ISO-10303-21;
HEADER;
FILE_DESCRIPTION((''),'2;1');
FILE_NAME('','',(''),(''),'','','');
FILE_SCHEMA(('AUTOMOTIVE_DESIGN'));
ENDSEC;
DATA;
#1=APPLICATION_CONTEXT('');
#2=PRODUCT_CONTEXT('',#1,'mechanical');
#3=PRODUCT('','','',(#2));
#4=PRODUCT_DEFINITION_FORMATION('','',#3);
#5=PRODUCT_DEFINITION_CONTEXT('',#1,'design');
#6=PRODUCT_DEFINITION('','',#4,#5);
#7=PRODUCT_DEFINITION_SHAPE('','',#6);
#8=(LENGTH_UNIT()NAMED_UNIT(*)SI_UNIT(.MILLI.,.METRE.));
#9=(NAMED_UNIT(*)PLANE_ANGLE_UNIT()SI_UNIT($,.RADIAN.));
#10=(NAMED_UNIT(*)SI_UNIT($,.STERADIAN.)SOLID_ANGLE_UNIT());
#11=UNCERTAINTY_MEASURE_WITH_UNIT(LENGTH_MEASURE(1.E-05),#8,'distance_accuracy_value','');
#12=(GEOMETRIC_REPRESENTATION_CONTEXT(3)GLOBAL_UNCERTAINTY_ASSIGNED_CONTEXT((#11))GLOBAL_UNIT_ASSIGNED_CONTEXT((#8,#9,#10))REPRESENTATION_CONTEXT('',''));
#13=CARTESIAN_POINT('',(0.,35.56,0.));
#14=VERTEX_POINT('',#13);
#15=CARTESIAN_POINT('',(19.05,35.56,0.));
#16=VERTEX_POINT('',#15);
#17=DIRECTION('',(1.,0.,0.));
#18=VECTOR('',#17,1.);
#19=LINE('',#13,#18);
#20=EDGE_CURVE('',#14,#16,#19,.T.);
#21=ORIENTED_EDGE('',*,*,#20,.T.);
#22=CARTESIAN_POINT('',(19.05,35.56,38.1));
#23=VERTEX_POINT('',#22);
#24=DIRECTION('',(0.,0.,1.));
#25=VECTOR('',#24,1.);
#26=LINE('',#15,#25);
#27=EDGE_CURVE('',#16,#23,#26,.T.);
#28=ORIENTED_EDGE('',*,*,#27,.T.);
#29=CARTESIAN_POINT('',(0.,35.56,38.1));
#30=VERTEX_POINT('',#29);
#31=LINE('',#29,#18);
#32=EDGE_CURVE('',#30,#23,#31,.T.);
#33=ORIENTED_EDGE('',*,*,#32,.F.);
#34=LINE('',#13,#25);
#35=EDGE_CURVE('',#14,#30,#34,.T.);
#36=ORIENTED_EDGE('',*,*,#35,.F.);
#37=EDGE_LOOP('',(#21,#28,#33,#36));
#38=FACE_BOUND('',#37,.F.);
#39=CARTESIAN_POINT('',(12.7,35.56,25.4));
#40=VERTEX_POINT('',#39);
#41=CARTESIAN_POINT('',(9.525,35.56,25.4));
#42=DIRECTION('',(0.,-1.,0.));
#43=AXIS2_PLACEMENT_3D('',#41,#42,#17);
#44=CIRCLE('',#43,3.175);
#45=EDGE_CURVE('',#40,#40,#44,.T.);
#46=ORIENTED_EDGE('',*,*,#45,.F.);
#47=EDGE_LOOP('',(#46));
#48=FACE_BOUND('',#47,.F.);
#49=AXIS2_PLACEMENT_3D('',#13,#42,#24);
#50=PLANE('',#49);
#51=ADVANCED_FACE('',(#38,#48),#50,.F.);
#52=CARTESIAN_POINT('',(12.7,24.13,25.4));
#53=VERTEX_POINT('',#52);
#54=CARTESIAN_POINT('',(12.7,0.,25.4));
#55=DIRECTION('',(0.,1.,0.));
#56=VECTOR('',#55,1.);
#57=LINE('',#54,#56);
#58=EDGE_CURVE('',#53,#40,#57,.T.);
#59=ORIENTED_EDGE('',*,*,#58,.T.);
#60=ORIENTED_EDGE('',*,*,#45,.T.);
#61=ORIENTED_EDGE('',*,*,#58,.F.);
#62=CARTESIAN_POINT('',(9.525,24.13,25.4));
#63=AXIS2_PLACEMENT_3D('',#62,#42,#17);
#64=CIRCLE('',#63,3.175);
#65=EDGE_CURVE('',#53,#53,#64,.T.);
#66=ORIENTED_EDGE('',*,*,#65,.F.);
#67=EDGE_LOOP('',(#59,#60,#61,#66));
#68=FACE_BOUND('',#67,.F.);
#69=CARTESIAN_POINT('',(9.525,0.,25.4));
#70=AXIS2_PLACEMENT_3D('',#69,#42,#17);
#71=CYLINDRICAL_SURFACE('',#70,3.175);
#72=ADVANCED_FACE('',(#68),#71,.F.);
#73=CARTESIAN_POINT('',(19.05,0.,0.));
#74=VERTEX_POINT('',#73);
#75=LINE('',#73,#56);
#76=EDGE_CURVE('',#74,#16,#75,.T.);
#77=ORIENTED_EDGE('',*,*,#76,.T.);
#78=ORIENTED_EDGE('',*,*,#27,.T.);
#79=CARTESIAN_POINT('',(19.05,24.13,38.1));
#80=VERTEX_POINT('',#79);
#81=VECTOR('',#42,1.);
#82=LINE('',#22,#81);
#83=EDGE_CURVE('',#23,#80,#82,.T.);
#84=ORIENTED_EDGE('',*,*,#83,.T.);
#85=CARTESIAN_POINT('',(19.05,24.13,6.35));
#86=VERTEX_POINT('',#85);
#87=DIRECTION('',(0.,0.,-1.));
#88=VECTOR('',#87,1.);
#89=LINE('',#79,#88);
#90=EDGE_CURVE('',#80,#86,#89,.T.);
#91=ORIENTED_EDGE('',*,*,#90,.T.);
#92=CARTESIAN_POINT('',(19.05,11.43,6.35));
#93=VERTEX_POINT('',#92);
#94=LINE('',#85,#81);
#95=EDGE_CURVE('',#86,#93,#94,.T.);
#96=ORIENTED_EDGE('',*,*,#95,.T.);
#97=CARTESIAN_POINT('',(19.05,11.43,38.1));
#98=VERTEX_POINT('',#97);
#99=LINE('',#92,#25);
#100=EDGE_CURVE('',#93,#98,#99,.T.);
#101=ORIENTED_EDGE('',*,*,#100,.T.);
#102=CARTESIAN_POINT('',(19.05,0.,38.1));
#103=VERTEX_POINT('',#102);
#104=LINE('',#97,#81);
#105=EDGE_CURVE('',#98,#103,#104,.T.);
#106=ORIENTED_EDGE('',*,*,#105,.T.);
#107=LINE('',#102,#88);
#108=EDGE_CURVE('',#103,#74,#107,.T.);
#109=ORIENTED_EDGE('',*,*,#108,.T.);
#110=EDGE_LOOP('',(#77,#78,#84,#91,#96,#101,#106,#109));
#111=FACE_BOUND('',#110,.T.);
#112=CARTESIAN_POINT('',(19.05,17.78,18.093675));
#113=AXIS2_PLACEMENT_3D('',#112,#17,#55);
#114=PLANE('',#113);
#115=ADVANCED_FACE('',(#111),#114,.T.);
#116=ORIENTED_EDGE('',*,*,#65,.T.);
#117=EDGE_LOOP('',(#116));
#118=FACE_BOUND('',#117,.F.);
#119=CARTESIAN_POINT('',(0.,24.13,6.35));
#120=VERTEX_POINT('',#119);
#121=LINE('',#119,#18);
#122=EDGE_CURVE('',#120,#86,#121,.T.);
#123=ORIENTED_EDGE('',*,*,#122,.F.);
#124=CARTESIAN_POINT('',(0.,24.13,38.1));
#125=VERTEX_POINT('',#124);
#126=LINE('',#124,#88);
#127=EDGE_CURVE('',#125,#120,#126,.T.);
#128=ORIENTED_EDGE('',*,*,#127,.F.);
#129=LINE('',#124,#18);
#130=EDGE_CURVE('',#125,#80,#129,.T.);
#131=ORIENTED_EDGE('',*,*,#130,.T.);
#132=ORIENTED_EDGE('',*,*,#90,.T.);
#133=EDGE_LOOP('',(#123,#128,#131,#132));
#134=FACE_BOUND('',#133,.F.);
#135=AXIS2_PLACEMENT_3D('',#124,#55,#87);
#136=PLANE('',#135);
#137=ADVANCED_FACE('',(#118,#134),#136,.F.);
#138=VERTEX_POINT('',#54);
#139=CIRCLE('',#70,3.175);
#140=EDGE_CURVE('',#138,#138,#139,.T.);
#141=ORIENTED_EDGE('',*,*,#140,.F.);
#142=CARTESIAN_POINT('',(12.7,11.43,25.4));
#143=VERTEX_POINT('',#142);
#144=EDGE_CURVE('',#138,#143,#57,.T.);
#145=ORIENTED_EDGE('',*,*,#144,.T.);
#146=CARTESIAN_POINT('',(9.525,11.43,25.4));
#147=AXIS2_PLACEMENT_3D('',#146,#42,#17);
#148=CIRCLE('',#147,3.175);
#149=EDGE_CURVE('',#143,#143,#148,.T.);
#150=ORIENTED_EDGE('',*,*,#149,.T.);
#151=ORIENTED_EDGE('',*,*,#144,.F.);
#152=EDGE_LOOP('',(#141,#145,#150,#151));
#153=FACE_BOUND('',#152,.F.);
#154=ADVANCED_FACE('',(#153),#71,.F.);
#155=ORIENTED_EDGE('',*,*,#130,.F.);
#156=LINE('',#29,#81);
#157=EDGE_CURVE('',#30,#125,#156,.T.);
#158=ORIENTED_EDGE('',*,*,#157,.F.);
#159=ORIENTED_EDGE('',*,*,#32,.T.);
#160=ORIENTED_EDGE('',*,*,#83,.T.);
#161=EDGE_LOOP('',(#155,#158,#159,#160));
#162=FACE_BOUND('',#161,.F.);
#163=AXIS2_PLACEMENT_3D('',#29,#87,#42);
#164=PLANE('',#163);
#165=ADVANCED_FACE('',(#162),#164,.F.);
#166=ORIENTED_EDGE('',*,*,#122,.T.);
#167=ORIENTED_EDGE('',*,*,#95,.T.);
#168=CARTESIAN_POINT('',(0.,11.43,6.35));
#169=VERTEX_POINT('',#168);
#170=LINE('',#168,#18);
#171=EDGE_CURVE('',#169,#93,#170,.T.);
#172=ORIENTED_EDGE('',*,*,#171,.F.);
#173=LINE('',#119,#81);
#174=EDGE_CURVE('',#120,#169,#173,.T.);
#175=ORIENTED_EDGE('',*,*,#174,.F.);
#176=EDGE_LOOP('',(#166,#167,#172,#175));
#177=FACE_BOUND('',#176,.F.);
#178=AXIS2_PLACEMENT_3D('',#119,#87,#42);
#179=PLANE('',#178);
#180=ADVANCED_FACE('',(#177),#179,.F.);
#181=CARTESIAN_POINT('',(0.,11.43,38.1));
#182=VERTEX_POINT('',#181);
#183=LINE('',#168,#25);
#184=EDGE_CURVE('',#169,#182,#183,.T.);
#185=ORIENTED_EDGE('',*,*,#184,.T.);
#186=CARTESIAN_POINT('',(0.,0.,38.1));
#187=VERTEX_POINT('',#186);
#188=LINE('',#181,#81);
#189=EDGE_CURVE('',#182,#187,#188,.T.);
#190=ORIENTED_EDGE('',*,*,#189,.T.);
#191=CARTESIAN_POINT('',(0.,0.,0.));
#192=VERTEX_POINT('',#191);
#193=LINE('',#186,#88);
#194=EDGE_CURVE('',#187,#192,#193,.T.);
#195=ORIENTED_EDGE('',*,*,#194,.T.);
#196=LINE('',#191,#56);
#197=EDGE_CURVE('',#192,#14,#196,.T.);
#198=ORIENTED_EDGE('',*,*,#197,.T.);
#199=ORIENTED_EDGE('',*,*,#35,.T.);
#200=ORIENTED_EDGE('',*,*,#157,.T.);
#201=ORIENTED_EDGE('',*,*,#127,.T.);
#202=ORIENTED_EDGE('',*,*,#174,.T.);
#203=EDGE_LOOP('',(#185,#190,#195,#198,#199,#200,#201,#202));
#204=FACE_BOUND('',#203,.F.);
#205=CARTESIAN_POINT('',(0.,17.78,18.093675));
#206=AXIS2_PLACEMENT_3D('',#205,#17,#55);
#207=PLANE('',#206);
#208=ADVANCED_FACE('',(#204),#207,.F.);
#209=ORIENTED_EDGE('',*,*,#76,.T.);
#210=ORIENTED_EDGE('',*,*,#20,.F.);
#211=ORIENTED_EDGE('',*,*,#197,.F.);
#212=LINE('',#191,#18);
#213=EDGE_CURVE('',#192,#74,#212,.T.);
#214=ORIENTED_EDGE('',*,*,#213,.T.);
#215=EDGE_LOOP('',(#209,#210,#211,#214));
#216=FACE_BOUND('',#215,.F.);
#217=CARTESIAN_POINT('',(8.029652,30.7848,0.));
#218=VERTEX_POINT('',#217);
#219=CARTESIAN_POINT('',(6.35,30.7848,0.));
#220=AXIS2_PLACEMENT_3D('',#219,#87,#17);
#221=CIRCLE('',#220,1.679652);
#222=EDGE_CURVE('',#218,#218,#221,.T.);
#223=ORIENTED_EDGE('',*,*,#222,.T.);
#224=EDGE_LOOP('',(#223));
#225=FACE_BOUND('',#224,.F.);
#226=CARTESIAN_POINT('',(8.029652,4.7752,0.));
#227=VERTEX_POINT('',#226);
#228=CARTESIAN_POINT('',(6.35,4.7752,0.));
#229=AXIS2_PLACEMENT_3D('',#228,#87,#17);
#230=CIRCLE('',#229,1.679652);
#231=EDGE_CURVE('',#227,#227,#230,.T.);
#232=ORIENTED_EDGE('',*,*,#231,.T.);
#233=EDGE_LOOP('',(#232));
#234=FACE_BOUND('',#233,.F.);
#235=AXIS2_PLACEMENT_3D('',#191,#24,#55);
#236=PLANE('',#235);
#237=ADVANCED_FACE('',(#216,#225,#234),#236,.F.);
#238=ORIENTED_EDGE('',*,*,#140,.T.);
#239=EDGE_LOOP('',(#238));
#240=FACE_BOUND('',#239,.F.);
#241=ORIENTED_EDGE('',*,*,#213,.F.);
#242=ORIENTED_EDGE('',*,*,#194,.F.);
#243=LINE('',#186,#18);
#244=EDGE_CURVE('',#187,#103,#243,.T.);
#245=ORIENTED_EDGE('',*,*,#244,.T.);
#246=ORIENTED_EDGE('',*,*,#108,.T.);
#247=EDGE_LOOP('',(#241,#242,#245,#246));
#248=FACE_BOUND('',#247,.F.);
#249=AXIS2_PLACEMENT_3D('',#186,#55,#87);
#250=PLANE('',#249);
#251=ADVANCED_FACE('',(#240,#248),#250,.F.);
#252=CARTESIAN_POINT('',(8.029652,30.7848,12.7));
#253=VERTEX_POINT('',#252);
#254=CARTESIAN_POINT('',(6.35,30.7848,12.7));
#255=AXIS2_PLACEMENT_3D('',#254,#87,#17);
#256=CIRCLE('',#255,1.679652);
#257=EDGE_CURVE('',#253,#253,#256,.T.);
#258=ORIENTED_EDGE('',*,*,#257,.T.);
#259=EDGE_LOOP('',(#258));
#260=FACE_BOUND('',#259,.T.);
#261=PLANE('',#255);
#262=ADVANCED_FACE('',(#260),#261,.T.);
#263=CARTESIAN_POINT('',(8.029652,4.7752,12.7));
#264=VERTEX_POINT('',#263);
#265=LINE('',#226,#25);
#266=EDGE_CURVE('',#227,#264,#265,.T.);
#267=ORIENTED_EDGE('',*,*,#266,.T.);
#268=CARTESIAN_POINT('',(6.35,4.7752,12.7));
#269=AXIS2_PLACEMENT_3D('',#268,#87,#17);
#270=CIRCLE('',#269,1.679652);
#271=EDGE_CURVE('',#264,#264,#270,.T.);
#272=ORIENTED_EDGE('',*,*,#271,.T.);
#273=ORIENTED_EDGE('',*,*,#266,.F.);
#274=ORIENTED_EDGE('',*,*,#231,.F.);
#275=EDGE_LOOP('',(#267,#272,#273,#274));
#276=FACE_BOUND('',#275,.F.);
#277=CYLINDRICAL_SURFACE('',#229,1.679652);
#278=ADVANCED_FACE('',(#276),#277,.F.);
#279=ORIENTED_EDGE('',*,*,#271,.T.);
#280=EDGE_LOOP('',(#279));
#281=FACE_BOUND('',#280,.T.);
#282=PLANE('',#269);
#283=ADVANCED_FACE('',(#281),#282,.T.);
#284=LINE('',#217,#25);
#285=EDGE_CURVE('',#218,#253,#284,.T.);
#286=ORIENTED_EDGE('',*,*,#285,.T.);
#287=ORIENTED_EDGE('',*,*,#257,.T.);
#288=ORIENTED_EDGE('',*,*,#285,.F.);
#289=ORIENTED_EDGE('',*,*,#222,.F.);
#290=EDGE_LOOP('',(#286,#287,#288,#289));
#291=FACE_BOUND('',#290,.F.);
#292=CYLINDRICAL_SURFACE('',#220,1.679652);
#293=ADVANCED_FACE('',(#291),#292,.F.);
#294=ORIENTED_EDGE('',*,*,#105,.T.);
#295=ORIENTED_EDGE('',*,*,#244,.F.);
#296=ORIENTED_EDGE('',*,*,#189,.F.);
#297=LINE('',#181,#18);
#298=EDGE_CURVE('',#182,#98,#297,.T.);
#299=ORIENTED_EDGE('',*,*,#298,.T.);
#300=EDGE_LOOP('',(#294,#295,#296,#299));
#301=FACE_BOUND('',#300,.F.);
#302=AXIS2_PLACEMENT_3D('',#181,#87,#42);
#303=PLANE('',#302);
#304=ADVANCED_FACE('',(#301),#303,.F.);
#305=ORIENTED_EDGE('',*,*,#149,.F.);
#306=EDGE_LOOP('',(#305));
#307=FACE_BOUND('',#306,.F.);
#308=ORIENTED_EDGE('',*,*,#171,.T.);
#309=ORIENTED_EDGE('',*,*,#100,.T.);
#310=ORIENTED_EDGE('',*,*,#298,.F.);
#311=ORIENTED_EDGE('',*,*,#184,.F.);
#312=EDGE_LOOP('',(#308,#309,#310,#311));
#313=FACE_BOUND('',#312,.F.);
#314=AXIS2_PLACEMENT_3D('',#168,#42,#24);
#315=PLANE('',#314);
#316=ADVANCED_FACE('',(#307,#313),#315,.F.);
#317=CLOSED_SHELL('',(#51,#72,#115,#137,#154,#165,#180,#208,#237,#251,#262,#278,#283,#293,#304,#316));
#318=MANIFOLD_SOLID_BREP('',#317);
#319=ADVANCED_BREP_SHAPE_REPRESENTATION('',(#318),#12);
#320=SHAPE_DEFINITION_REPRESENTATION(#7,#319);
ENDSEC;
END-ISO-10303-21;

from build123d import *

# Parameters (mm, degrees)
F1_DEPTH = 19.05
F2_R     = 3.175
F3_DEPTH = 76.2
F4_R     = 1.679652
F5_DEPTH = 12.7


with BuildPart() as f1:
    # F0 (on Right) → F1 (new body)
    with BuildSketch(Plane.YZ):
        Polygon((11.43, 38.1), (0, 38.1), (0, 0), (35.56, 0), (35.56, 38.1), (24.13, 38.1), (24.13, 6.35), (11.43, 6.35), align=None)
    extrude(amount=F1_DEPTH)

    # F2 (on face) → F3 (cut)
    with BuildSketch(Plane.XZ):
        with Locations((9.525, 25.4)):
            Circle(F2_R)
    extrude(amount=-F3_DEPTH, mode=Mode.SUBTRACT)

    # F4 (on face) → F5 (cut)
    with BuildSketch(Plane(origin=(0, 0, 0), x_dir=(1, 0, 0), z_dir=(0, 0, -1))):
        with Locations((6.35, -4.7752)):
            Circle(F4_R)
        with Locations((6.35, -30.7848)):
            Circle(F4_R)
    extrude(amount=-F5_DEPTH, mode=Mode.SUBTRACT)


solid = f1.part
